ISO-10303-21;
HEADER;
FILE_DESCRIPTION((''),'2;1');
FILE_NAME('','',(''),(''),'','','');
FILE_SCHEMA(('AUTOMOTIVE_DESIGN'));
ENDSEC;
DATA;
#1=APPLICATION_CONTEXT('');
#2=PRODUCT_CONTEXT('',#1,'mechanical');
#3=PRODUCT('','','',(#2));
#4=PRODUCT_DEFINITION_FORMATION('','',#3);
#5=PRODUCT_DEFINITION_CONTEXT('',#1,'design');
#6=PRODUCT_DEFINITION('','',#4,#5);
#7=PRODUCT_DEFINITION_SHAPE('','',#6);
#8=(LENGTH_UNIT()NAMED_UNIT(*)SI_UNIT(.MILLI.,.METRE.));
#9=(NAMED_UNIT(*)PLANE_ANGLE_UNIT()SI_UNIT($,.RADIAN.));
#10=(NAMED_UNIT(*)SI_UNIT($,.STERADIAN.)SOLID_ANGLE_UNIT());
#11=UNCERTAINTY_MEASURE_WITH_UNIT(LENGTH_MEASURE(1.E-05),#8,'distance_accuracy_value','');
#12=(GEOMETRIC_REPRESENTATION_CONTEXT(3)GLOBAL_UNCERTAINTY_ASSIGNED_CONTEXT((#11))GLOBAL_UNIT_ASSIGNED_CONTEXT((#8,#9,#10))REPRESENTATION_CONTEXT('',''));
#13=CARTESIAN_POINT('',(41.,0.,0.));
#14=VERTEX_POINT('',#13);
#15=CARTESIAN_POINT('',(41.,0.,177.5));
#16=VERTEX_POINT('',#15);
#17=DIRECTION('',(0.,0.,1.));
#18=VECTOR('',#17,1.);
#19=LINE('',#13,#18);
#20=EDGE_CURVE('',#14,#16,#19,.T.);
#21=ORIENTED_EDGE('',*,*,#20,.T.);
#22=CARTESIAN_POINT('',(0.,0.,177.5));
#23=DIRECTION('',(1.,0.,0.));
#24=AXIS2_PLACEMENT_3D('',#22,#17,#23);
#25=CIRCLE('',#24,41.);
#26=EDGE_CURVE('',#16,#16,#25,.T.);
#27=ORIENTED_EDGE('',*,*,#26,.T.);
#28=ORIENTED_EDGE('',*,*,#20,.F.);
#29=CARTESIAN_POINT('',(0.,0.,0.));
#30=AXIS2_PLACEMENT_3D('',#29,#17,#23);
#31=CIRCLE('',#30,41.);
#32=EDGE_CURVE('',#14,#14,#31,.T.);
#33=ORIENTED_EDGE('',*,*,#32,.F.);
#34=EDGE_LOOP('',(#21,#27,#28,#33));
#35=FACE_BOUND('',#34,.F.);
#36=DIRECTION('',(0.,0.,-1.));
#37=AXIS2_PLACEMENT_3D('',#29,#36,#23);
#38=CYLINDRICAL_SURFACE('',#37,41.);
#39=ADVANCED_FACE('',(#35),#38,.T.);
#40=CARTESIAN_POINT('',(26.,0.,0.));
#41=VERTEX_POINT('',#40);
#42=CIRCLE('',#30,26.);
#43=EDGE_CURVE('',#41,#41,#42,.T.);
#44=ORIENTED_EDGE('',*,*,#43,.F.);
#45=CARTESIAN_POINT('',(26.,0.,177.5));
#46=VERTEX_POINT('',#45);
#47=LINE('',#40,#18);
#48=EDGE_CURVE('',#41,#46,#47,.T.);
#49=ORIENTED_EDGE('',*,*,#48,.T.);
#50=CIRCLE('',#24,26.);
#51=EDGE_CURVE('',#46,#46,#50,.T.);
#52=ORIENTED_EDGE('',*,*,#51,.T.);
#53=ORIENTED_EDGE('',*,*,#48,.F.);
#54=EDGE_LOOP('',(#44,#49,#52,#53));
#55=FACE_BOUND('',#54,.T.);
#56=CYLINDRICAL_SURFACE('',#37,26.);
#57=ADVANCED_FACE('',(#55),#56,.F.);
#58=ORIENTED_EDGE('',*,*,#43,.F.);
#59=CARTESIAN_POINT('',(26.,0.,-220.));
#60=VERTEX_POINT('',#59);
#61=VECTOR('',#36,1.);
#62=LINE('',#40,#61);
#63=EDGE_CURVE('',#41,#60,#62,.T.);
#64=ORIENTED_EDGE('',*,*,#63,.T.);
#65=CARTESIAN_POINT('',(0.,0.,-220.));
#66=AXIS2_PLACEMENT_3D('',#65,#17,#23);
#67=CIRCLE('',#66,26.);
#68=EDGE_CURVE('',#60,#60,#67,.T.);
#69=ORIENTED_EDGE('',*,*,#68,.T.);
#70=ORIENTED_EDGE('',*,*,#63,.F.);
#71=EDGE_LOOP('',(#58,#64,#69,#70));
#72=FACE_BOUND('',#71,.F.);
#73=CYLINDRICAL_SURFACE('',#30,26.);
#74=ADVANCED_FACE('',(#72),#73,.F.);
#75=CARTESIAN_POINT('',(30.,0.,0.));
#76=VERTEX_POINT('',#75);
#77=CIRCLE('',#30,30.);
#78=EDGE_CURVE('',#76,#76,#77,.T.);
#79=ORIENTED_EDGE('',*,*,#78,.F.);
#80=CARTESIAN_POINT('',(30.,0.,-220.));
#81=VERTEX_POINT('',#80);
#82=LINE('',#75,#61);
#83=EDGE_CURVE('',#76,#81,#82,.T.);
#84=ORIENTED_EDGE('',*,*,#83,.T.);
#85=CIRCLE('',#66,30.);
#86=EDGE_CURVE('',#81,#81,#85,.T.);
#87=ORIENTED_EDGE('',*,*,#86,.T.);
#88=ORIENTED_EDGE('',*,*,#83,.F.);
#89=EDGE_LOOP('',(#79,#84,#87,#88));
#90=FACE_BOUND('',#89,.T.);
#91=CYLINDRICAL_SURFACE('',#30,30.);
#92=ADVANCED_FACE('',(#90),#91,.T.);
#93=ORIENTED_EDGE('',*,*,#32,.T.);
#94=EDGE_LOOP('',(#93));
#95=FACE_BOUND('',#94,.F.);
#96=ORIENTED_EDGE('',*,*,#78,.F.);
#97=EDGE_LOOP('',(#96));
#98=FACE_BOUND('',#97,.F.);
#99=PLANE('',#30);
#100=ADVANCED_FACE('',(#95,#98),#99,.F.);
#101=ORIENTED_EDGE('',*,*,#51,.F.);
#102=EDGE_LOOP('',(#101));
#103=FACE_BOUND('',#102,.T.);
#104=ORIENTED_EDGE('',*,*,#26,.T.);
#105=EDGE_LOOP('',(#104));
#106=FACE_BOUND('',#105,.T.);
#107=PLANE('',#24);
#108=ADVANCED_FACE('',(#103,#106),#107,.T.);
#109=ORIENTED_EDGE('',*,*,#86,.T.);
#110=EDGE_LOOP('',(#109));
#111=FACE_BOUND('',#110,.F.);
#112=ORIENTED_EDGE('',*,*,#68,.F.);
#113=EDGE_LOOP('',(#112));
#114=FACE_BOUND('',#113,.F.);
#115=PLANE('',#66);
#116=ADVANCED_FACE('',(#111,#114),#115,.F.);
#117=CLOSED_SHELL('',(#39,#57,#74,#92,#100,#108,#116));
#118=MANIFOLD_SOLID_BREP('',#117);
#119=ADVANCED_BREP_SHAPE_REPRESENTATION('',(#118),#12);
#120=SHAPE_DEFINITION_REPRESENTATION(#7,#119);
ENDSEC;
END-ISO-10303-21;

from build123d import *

# Parameters (mm, degrees)
F0_R     = 41
F0_R_2   = 26
F1_DEPTH = 177.5
F2_R     = 30
F2_R_2   = 26
F3_DEPTH = 220


with BuildPart() as f1:
    # F0 (on Top) → F1 (new body)
    with BuildSketch(Plane.XY):
        Circle(F0_R)
        Circle(F0_R_2, mode=Mode.SUBTRACT)
    extrude(amount=F1_DEPTH)

    # F2 (on Top) → F3 (join)
    with BuildSketch(Plane.XY):
        Circle(F2_R)
        Circle(F2_R_2, mode=Mode.SUBTRACT)
    extrude(amount=-F3_DEPTH)


solid = f1.part
